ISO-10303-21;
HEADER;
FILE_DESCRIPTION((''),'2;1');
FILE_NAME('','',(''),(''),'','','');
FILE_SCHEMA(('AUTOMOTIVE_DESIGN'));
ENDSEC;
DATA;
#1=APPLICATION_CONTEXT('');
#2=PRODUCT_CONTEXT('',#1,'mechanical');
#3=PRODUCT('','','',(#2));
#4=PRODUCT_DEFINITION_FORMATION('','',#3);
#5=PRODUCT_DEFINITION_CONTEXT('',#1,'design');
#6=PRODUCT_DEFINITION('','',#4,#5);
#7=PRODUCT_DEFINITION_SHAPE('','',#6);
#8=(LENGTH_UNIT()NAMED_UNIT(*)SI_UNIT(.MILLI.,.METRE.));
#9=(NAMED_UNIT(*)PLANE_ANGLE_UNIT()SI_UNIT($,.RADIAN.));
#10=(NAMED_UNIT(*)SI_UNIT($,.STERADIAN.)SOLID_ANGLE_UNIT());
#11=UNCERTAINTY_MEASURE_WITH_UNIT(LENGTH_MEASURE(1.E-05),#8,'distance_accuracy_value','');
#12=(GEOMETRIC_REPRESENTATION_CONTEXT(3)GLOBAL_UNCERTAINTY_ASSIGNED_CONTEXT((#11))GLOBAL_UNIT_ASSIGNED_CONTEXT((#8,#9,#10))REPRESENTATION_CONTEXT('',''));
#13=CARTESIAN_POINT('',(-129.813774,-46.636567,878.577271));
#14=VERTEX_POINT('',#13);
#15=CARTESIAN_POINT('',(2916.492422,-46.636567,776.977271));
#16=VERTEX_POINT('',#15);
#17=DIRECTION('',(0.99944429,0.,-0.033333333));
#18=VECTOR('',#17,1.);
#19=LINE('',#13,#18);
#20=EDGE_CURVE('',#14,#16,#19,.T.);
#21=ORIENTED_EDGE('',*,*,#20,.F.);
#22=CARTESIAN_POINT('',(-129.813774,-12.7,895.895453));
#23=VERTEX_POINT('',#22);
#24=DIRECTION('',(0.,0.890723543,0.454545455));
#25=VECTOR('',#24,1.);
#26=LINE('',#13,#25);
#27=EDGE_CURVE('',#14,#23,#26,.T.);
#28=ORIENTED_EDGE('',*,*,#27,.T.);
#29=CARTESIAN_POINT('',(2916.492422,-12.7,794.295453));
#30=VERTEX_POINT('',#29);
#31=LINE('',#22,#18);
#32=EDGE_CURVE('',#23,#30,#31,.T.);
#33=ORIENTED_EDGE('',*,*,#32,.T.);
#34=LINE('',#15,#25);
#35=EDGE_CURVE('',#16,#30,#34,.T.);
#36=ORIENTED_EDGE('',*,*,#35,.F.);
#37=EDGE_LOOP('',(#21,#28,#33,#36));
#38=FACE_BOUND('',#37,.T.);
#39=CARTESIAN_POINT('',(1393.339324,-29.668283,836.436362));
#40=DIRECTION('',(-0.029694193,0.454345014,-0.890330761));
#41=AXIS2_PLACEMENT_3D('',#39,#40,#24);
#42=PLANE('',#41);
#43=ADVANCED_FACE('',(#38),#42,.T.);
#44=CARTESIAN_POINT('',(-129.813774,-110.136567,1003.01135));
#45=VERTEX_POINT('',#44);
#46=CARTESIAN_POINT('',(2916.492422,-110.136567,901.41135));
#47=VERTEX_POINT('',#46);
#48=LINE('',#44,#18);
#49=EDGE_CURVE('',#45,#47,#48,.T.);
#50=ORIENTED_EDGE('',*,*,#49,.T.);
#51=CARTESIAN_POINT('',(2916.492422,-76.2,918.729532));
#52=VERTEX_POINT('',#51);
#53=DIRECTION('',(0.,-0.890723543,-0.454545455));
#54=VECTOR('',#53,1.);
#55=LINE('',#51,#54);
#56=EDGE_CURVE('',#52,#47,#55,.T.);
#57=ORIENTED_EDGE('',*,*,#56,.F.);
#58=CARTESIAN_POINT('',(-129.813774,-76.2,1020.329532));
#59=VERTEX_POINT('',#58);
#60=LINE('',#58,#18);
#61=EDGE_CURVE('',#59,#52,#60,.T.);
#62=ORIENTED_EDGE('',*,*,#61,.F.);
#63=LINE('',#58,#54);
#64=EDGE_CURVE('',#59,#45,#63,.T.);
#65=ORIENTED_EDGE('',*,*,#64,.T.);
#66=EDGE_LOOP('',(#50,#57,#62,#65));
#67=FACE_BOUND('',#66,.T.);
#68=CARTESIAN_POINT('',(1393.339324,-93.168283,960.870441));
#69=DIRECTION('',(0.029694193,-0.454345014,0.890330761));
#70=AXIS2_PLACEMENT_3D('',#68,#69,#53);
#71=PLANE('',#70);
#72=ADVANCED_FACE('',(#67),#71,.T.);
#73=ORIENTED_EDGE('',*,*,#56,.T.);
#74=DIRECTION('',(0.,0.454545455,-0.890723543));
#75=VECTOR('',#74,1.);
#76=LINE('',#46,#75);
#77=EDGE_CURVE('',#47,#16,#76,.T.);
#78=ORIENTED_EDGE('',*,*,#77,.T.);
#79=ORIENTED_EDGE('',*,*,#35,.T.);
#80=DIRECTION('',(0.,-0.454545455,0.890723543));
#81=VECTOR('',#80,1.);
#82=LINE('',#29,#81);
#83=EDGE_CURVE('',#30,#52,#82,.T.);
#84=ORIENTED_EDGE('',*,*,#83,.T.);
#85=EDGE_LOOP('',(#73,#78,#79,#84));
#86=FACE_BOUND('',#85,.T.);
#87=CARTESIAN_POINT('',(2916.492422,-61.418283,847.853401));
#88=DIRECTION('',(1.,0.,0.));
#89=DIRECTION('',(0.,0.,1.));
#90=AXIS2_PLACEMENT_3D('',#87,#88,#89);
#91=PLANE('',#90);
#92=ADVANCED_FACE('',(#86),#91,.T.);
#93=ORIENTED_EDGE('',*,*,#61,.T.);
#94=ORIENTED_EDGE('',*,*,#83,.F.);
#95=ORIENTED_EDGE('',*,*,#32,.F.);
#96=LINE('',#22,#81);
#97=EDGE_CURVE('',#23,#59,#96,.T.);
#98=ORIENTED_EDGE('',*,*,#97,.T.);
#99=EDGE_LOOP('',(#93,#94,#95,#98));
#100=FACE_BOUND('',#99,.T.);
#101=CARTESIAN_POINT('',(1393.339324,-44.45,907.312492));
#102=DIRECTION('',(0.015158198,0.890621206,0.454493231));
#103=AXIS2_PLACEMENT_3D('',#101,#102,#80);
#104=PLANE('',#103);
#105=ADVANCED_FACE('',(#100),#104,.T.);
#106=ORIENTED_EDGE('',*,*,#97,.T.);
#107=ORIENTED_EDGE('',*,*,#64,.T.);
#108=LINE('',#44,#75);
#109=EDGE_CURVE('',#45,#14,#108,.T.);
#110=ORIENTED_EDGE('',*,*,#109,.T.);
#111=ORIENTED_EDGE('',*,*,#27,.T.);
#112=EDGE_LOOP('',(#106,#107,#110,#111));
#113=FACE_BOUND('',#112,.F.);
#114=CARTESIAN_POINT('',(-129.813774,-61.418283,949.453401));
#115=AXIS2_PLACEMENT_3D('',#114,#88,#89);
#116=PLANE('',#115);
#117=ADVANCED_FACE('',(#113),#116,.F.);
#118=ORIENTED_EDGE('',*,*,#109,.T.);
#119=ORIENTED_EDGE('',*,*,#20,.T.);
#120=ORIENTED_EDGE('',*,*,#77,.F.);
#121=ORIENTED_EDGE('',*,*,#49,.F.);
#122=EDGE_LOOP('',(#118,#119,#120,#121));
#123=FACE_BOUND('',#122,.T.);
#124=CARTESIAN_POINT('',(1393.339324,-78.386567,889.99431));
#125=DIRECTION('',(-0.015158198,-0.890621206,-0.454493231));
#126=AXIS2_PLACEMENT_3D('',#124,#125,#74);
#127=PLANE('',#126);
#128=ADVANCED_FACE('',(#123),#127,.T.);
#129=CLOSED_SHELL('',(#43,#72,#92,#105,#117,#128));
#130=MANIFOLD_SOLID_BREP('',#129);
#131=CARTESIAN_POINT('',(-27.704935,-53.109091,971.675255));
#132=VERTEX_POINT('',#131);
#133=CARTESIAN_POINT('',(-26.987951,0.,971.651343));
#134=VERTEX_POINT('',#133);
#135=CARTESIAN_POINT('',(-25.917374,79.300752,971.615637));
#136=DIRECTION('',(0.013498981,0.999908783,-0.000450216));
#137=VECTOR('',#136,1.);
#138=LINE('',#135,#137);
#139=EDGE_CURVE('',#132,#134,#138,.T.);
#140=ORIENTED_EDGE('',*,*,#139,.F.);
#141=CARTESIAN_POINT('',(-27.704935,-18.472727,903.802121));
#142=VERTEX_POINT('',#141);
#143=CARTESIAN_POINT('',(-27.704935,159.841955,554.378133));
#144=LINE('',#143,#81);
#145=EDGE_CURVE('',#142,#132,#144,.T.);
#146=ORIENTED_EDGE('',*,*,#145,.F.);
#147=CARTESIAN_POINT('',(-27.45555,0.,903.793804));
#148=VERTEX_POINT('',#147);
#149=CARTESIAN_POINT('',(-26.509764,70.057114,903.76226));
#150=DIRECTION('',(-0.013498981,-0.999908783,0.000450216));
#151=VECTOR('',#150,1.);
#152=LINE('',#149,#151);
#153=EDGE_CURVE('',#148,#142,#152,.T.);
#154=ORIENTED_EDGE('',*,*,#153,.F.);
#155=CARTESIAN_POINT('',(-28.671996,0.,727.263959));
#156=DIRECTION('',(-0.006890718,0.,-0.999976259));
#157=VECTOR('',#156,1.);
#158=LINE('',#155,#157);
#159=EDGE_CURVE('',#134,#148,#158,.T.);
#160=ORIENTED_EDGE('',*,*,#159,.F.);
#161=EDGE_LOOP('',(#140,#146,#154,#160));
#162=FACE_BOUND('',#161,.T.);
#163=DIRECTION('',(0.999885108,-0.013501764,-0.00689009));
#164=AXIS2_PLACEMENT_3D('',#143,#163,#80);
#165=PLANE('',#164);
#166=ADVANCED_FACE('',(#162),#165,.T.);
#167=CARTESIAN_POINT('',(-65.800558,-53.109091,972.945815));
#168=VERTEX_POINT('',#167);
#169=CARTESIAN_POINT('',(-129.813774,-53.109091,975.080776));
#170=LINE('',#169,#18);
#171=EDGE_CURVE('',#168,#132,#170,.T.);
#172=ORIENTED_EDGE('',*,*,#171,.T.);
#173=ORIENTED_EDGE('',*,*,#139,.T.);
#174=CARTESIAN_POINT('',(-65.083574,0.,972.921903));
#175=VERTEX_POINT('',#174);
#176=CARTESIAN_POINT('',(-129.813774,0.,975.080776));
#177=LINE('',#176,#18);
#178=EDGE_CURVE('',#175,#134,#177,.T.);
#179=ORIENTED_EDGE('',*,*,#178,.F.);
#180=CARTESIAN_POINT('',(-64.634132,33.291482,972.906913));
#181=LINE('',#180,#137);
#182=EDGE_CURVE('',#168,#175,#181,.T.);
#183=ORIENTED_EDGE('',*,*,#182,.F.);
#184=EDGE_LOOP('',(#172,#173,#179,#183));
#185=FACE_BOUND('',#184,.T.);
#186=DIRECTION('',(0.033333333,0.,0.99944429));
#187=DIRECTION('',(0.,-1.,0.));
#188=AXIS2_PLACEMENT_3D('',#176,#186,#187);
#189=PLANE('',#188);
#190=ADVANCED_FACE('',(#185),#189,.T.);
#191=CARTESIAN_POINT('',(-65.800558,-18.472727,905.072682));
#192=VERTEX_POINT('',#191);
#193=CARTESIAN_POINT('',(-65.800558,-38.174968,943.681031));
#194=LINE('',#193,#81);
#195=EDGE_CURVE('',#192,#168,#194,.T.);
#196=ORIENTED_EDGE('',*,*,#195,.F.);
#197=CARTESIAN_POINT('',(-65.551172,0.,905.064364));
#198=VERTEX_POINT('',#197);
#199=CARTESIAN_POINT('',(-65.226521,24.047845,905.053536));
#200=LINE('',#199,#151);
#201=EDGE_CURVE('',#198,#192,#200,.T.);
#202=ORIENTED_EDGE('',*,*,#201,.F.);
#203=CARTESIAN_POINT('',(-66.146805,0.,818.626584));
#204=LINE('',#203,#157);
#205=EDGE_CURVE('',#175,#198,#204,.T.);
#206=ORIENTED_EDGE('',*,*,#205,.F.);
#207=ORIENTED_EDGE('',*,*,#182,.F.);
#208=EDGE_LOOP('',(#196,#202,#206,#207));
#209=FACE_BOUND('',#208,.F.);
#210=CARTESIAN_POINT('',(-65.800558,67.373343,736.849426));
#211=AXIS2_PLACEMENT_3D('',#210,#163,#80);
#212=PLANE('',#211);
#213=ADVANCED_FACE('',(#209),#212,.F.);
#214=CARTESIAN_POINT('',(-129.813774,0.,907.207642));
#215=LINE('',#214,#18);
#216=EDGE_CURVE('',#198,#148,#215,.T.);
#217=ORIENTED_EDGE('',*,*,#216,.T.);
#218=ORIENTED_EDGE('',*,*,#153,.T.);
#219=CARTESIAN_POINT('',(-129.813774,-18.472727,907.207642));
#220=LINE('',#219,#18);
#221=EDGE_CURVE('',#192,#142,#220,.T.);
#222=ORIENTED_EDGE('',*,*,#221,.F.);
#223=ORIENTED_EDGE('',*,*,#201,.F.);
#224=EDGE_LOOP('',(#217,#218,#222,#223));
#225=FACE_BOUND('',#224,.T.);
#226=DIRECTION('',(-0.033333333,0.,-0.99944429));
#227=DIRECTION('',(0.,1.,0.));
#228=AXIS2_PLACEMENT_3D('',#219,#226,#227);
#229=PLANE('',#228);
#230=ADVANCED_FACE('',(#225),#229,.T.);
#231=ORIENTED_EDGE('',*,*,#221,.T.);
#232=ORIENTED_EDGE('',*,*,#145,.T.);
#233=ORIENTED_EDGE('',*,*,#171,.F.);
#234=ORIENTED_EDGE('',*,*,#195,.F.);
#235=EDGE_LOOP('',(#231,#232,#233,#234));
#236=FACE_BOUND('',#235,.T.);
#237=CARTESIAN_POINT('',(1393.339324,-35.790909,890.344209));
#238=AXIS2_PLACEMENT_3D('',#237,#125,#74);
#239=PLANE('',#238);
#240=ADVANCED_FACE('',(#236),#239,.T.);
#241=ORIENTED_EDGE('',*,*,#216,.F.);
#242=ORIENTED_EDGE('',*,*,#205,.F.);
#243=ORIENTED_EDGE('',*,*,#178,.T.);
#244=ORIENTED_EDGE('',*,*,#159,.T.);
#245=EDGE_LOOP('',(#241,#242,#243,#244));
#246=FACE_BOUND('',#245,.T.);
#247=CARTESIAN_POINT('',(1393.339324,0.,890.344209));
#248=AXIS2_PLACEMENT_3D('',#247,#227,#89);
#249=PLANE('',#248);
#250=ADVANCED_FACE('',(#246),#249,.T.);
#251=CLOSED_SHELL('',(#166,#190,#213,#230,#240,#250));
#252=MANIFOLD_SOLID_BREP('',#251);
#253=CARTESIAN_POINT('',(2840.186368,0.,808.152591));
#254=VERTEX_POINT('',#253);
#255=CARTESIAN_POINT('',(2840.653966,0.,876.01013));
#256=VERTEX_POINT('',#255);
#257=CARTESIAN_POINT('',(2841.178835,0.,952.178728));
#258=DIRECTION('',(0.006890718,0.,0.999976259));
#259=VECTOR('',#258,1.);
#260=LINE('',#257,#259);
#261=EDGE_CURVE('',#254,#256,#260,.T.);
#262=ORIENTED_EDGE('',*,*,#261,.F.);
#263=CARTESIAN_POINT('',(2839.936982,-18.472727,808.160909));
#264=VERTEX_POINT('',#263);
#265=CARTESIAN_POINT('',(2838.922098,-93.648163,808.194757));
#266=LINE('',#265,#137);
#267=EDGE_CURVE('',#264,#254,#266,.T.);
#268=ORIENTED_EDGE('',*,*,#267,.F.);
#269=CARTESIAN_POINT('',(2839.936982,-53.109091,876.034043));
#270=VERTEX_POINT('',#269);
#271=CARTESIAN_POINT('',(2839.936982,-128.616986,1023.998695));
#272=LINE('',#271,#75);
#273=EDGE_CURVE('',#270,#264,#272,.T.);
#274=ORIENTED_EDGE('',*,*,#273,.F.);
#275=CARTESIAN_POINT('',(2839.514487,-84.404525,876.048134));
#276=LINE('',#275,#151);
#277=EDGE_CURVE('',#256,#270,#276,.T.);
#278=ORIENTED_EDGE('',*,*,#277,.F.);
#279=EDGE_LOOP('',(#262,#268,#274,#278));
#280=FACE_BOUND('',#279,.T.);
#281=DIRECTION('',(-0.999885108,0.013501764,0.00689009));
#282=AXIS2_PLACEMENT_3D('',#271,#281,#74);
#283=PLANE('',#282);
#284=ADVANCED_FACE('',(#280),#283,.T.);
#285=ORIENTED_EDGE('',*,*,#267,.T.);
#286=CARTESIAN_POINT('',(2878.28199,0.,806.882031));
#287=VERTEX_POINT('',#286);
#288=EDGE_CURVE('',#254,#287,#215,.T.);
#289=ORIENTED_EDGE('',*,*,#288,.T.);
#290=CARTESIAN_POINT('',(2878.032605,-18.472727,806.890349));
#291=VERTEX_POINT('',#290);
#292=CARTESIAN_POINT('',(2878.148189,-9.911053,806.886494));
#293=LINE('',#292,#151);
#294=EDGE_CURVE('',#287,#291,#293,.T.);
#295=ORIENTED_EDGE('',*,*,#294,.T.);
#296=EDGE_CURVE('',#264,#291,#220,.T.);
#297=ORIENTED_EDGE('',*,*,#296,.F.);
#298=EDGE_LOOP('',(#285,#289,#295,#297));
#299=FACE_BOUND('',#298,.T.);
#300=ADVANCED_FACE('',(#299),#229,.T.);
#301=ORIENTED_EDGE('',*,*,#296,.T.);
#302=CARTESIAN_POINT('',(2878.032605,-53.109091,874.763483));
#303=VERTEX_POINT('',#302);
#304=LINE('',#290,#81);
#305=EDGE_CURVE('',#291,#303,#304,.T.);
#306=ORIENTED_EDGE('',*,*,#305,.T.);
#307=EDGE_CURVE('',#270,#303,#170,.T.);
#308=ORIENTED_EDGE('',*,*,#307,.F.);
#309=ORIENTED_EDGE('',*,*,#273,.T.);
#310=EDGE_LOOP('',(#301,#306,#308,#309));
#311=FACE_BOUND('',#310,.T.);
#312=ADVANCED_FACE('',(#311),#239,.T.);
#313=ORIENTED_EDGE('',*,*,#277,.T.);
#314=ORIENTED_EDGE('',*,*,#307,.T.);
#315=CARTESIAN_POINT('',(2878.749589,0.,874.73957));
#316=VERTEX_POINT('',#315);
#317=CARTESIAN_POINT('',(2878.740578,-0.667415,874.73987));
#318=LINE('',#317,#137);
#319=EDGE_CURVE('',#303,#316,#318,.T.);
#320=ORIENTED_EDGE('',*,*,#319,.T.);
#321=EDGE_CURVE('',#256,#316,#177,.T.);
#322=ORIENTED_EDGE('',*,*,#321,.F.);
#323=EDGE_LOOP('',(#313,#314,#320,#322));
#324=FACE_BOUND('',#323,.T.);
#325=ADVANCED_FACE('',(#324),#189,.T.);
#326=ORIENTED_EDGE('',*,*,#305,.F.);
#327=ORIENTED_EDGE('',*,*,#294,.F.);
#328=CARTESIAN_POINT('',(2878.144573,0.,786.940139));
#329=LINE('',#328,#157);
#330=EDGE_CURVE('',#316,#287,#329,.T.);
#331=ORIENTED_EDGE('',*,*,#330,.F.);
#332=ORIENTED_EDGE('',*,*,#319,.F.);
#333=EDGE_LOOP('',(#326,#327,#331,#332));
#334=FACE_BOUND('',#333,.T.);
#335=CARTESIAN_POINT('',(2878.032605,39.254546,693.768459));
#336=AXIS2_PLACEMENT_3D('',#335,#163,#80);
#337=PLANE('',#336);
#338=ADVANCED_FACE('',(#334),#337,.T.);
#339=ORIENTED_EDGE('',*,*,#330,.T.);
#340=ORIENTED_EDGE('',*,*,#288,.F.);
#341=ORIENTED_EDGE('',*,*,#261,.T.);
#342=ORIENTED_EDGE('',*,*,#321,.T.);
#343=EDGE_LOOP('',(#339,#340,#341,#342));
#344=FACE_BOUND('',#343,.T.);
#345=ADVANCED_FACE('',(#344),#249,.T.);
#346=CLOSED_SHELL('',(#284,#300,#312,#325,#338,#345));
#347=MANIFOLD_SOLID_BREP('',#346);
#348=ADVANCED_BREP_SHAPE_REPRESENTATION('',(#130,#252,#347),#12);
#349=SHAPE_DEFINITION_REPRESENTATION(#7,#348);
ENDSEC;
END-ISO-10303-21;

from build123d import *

# Parameters (mm, degrees)
F5_W     = 59.0129865401
F5_H     = 254
F5_W_2   = 276.4360010624
F5_H_2   = 464.4125699997
F6_DEPTH = 127


with BuildPart() as f2:
    # F2: sweep along a path in F0
    with BuildLine(Plane.XZ) as f2_path:
        Line((-129.8137740847, 1016), (2916.4924219501, 914.4))
    # F1 (on Right) → F2 (sweep)
    with BuildSketch(Plane.YZ):
        Polygon((-12.7, 891.5659210666), (-76.2, 1016), (-110.1365669818, 998.6818181818), (-46.6365669818, 874.2477392484), align=None)
    sweep(path=f2_path.line)


with BuildPart() as f4:
    # F4: sweep along a path in F0
    with BuildLine(Plane.XZ) as f4_path:
        Line((-129.8137740847, 1016), (2916.4924219501, 914.4))
    # F3 (on Right) → F4 (sweep)
    with BuildSketch(Plane.YZ):
        Polygon((0, 970.7512440242), (-53.1090909091, 970.7512440242), (-18.4727272727, 902.8781100606), (0, 902.8781100606), align=None)
    sweep(path=f4_path.line)

    # F5 (on face) → F6 (cut)
    with BuildSketch(Plane(origin=(5.9708109288, 350.8155029635, 179.0247866914), x_dir=(-0.9998851079, 0.0135017638, 0.00689009), z_dir=(0.0151581979, 0.8906212057, 0.4544932309))):
        with Locations((-2901.8983019364, 727.1129241549)):
            Rectangle(F5_W, F5_H)
        Polygon((-953.1969428062, 1159.2264175415), (-953.1969428062, 970.5620119603), (-1936.9811249375, 970.5620119603), (-2834.2918086663, 970.5620119603), (-2834.2918086663, 698.6254103649), (-1936.9811249375, 698.6254103649), (-1936.9811249375, 705.0999578878), (-953.1969428062, 705.0999578878), (-953.1969428062, 421.1422204971), (33.6796157062, 421.1422204971), (33.6796157062, 1159.2264175415), align=None)
        with Locations((209.9976162374, 857.911169529)):
            Rectangle(F5_W_2, F5_H_2)
    extrude(amount=F6_DEPTH, mode=Mode.SUBTRACT)


solid = Compound([f2.part, f4.part])
